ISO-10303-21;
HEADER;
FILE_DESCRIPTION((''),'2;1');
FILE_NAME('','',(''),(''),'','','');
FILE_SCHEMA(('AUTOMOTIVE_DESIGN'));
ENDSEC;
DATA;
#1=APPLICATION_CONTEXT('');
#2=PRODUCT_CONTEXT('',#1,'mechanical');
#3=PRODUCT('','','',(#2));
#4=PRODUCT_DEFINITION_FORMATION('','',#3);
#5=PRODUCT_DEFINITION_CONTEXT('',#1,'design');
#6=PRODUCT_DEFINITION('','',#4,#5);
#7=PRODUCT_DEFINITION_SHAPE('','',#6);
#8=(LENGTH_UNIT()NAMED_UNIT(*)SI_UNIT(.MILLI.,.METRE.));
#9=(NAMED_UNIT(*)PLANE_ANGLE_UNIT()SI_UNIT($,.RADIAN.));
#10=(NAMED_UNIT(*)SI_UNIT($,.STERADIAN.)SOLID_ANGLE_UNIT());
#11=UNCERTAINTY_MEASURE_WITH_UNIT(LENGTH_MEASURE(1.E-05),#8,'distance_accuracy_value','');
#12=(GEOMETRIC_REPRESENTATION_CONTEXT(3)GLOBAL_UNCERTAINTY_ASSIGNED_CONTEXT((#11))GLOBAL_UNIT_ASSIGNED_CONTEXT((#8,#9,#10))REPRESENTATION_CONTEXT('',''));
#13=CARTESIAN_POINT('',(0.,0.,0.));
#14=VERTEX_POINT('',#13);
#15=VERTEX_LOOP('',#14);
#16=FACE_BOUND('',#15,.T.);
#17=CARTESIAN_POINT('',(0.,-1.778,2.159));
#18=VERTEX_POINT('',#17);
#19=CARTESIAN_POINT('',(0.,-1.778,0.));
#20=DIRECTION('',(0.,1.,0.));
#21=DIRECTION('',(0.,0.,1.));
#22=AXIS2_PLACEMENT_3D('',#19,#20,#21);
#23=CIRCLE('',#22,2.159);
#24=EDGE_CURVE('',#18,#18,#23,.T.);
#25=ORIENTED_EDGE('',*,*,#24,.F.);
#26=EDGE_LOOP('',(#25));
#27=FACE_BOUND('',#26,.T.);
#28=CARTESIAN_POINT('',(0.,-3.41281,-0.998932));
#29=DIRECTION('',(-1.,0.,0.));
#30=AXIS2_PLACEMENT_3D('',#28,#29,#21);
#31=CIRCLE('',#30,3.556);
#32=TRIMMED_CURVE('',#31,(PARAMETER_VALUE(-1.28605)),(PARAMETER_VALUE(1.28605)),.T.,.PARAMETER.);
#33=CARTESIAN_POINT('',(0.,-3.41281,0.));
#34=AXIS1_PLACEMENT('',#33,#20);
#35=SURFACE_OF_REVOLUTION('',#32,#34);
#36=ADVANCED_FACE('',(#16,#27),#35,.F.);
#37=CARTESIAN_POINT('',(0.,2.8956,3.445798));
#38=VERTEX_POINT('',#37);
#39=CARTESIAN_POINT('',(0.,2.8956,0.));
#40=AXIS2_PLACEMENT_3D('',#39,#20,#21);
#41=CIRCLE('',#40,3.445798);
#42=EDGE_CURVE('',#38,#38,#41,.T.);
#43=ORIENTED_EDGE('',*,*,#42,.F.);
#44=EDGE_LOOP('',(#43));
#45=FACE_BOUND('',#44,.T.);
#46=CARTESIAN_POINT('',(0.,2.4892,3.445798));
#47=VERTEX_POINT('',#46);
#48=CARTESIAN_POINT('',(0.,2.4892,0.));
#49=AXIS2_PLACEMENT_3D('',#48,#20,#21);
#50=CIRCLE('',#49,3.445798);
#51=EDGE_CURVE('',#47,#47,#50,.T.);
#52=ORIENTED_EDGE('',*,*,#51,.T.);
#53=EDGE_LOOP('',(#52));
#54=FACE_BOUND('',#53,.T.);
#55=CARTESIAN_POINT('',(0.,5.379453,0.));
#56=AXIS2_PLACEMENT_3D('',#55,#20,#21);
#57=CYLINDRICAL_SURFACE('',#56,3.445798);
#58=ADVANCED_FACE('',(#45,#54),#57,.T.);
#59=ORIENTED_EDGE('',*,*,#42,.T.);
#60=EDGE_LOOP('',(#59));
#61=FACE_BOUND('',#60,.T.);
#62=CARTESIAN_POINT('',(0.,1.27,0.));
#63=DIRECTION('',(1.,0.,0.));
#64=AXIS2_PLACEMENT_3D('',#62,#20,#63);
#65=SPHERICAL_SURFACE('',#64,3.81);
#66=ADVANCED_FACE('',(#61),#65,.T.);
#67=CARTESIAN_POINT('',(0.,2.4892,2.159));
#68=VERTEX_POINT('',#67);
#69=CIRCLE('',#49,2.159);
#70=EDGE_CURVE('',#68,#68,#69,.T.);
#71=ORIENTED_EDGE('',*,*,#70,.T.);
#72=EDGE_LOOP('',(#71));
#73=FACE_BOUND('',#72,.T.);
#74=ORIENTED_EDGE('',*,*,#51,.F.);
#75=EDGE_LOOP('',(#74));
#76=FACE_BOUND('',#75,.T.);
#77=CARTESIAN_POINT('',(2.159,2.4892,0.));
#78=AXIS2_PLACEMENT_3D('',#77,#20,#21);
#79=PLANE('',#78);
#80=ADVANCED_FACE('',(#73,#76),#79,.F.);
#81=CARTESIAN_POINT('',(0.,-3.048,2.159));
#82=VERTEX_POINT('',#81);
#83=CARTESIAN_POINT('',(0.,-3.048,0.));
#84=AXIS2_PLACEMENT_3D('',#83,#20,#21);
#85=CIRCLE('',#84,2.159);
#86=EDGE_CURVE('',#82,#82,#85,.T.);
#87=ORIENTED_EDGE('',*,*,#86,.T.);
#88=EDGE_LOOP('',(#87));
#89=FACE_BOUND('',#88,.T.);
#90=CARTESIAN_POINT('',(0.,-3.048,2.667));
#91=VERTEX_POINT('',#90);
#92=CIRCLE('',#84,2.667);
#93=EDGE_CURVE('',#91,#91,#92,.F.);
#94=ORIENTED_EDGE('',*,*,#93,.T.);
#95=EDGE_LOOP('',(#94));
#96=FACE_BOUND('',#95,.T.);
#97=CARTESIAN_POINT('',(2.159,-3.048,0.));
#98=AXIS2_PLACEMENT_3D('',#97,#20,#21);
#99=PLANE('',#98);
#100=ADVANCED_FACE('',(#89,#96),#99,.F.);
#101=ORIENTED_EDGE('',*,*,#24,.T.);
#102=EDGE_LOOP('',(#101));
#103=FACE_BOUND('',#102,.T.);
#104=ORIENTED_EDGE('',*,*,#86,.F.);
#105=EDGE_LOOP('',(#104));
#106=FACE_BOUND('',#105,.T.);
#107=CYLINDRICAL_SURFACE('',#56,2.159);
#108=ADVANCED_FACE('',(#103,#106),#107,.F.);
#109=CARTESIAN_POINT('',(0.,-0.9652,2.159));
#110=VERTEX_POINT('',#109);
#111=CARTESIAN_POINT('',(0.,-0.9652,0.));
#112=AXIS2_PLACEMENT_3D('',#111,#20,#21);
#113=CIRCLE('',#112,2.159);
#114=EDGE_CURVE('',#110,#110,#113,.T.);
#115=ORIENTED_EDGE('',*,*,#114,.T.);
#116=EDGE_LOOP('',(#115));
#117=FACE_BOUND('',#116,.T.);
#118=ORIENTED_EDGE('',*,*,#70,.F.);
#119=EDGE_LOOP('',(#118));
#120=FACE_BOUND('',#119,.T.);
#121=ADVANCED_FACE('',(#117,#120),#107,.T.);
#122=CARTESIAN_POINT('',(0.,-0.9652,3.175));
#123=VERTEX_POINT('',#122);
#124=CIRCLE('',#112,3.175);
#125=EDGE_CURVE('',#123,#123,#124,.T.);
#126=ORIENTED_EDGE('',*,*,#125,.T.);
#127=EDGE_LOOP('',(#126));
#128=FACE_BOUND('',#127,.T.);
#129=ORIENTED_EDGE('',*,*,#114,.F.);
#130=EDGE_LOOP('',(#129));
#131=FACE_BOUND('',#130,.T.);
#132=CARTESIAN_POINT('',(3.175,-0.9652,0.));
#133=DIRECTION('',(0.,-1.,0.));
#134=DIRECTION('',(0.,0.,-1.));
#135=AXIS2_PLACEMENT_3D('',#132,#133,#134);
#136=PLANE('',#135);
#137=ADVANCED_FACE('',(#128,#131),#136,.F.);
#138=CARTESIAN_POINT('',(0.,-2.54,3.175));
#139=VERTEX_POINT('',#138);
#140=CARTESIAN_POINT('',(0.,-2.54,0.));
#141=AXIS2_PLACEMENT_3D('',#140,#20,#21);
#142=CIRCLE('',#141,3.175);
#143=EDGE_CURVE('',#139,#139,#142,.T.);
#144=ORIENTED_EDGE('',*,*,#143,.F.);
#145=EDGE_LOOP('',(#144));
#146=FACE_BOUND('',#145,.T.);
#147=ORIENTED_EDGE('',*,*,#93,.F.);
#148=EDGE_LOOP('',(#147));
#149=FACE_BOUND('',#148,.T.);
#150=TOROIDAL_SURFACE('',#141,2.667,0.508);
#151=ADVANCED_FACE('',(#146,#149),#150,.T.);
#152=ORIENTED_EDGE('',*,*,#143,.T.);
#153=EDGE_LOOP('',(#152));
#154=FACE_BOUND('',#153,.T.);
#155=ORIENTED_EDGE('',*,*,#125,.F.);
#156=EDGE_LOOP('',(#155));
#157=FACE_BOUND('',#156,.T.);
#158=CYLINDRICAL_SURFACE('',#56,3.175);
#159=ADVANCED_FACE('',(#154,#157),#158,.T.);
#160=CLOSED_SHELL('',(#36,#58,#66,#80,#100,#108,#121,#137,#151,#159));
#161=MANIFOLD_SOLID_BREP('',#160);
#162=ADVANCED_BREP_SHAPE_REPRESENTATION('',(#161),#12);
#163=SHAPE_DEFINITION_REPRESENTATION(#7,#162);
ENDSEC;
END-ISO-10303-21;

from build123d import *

# Parameters (mm, degrees)
FILLET1_R = 0.508


with BuildPart() as part:
    # Sketch1 → Revolve1 (revolve)
    with BuildSketch(Plane.XY, mode=Mode.PRIVATE) as revolve1_sk:
        with BuildLine():
            Line((0, 5.08), (0, 0))
            ThreePointArc((0, 0), (1.261643301, -0.667825992), (2.159, -1.778))
            Line((2.159, -1.778), (2.159, -3.048))
            Line((2.159, -3.048), (3.175, -3.048))
            Line((3.175, -3.048), (3.175, -0.9652))
            Line((3.175, -0.9652), (2.159, -0.9652))
            Line((2.159, -0.9652), (2.159, 2.4892))
            Line((2.159, 2.4892), (3.445798114, 2.4892))
            Line((3.445798114, 2.4892), (3.445798114, 2.8956))
            ThreePointArc((3.445798114, 2.8956), (2.039922057, 4.487890303), (0, 5.08))
        make_face()
    revolve(revolve1_sk.sketch.rotate(Axis((0, 5.379452632, 0), (0, -1, 0)), 90), axis=Axis((0, 5.379452632, 0), (0, -1, 0)))

    # Fillet1
    fillet1_edges = [part.edges().sort_by_distance(p)[0] for p in [
        (0, -3.048, -3.175),
    ]]
    fillet(fillet1_edges, radius=FILLET1_R)


solid = part.part
